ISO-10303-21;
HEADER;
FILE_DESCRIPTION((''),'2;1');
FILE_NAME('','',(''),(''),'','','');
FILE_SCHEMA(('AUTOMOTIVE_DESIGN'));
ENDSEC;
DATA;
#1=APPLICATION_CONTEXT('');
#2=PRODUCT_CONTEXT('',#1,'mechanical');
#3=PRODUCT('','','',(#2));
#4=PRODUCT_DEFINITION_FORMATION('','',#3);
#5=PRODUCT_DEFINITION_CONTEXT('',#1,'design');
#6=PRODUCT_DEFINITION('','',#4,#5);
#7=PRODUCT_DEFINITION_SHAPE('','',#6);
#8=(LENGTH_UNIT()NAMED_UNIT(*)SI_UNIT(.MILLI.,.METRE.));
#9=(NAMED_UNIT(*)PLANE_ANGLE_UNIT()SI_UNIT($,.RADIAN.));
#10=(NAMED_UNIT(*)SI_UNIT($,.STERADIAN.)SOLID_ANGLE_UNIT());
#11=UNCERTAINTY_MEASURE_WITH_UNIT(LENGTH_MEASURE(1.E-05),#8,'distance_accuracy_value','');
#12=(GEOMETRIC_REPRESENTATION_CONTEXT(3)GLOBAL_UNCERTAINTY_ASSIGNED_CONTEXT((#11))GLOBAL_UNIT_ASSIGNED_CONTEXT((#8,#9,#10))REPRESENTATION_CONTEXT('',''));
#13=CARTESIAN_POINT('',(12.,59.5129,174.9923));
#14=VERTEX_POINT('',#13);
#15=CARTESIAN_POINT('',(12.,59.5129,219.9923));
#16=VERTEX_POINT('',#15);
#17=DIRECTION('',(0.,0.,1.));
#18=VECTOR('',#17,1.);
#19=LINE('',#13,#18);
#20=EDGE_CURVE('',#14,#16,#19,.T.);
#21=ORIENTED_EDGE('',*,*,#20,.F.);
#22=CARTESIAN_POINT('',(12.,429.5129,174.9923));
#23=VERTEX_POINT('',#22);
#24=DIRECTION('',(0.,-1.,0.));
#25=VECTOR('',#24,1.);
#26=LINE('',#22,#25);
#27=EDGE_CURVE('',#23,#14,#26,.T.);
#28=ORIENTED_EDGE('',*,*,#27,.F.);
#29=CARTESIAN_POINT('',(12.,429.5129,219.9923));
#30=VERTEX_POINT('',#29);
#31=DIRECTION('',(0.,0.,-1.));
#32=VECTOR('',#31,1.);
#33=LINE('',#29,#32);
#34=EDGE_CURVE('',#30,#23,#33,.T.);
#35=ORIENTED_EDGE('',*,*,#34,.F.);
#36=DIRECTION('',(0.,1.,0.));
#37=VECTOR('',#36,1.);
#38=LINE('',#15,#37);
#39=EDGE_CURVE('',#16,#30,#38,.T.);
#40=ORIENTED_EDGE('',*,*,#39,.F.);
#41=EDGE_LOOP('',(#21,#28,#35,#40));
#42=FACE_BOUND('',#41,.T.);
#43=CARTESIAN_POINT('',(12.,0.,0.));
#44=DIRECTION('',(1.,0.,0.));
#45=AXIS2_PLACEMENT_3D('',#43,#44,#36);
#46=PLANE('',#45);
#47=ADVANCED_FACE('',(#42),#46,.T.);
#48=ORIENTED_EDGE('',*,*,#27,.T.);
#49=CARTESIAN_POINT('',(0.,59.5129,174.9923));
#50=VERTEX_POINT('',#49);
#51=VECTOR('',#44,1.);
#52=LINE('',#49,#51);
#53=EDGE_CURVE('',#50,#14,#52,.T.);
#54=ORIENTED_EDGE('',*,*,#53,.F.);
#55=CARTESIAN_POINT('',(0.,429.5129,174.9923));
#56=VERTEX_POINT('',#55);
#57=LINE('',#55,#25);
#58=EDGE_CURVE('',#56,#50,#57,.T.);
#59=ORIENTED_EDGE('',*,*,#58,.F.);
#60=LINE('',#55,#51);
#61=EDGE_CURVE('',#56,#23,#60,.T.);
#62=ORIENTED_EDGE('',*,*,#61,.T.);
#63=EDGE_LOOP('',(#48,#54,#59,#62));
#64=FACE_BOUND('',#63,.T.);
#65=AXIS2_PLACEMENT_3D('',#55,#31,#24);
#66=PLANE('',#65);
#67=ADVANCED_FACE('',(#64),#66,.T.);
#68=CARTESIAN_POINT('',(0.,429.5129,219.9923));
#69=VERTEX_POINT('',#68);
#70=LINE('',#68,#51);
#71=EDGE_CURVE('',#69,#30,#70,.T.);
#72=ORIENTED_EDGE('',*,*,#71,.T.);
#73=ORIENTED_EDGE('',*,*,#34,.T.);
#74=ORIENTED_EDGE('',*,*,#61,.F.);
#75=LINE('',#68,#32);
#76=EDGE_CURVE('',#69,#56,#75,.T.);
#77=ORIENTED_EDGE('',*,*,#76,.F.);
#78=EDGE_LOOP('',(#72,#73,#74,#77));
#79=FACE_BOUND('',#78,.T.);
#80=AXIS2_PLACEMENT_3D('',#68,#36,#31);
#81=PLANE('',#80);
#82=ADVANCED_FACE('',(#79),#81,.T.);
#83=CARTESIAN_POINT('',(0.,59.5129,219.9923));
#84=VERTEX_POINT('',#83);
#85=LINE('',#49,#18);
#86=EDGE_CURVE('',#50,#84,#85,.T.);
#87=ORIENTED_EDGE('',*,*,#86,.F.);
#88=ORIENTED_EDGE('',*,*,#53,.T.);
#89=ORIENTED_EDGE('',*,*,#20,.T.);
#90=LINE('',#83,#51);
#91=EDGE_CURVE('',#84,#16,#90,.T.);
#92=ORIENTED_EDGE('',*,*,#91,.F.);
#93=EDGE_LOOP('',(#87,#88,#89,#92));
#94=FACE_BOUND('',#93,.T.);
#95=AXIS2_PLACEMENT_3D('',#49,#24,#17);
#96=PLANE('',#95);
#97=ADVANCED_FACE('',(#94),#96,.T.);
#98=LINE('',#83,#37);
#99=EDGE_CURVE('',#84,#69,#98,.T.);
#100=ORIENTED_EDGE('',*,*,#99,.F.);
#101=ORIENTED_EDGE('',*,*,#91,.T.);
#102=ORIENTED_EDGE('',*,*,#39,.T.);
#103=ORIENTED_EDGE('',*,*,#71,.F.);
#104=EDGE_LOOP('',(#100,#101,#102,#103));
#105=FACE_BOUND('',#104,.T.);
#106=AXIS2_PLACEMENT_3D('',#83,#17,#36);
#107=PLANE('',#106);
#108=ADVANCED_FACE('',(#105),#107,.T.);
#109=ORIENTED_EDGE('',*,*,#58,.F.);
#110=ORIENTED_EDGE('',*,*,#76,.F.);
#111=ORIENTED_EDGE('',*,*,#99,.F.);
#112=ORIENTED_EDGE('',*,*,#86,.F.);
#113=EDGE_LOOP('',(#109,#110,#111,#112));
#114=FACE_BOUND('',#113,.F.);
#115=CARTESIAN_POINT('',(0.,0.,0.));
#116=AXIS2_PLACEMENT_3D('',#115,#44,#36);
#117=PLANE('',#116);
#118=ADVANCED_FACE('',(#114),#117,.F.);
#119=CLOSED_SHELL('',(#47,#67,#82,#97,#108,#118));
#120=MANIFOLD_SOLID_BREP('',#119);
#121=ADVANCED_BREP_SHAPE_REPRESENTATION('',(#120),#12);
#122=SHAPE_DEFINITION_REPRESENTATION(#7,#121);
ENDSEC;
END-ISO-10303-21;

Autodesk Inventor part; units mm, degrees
ref_plane "YZ Plane" through (0, 0, 0) normal (1, 0, 0) x (0, 1, 0)
ref_plane "XZ Plane" through (0, 0, 0) normal (0, 1, 0) x (-1, 0, 0)
ref_plane "XY Plane" through (0, 0, 0) normal (0, 0, 1) x (1, 0, 0)
sketch "Sketch1" plane through (0, 0, 0) normal (1, 0, 0) x (0, 1, 0)
  line L0 (429.5129, 174.9923) -> (59.5129, 174.9923)
  line L1 (59.5129, 174.9923) -> (59.5129, 219.9923)
  line L2 (59.5129, 219.9923) -> (429.5129, 219.9923)
  line L3 (429.5129, 219.9923) -> (429.5129, 174.9923)
  point P0 (0, 0)
  dimension "d0" = 370
  dimension "d1" = 45
extrude "Extrusion1" add sketch "Sketch1" along normal blind 12
properties part number "CUT PART P-01" material "Wood (Birch)"
